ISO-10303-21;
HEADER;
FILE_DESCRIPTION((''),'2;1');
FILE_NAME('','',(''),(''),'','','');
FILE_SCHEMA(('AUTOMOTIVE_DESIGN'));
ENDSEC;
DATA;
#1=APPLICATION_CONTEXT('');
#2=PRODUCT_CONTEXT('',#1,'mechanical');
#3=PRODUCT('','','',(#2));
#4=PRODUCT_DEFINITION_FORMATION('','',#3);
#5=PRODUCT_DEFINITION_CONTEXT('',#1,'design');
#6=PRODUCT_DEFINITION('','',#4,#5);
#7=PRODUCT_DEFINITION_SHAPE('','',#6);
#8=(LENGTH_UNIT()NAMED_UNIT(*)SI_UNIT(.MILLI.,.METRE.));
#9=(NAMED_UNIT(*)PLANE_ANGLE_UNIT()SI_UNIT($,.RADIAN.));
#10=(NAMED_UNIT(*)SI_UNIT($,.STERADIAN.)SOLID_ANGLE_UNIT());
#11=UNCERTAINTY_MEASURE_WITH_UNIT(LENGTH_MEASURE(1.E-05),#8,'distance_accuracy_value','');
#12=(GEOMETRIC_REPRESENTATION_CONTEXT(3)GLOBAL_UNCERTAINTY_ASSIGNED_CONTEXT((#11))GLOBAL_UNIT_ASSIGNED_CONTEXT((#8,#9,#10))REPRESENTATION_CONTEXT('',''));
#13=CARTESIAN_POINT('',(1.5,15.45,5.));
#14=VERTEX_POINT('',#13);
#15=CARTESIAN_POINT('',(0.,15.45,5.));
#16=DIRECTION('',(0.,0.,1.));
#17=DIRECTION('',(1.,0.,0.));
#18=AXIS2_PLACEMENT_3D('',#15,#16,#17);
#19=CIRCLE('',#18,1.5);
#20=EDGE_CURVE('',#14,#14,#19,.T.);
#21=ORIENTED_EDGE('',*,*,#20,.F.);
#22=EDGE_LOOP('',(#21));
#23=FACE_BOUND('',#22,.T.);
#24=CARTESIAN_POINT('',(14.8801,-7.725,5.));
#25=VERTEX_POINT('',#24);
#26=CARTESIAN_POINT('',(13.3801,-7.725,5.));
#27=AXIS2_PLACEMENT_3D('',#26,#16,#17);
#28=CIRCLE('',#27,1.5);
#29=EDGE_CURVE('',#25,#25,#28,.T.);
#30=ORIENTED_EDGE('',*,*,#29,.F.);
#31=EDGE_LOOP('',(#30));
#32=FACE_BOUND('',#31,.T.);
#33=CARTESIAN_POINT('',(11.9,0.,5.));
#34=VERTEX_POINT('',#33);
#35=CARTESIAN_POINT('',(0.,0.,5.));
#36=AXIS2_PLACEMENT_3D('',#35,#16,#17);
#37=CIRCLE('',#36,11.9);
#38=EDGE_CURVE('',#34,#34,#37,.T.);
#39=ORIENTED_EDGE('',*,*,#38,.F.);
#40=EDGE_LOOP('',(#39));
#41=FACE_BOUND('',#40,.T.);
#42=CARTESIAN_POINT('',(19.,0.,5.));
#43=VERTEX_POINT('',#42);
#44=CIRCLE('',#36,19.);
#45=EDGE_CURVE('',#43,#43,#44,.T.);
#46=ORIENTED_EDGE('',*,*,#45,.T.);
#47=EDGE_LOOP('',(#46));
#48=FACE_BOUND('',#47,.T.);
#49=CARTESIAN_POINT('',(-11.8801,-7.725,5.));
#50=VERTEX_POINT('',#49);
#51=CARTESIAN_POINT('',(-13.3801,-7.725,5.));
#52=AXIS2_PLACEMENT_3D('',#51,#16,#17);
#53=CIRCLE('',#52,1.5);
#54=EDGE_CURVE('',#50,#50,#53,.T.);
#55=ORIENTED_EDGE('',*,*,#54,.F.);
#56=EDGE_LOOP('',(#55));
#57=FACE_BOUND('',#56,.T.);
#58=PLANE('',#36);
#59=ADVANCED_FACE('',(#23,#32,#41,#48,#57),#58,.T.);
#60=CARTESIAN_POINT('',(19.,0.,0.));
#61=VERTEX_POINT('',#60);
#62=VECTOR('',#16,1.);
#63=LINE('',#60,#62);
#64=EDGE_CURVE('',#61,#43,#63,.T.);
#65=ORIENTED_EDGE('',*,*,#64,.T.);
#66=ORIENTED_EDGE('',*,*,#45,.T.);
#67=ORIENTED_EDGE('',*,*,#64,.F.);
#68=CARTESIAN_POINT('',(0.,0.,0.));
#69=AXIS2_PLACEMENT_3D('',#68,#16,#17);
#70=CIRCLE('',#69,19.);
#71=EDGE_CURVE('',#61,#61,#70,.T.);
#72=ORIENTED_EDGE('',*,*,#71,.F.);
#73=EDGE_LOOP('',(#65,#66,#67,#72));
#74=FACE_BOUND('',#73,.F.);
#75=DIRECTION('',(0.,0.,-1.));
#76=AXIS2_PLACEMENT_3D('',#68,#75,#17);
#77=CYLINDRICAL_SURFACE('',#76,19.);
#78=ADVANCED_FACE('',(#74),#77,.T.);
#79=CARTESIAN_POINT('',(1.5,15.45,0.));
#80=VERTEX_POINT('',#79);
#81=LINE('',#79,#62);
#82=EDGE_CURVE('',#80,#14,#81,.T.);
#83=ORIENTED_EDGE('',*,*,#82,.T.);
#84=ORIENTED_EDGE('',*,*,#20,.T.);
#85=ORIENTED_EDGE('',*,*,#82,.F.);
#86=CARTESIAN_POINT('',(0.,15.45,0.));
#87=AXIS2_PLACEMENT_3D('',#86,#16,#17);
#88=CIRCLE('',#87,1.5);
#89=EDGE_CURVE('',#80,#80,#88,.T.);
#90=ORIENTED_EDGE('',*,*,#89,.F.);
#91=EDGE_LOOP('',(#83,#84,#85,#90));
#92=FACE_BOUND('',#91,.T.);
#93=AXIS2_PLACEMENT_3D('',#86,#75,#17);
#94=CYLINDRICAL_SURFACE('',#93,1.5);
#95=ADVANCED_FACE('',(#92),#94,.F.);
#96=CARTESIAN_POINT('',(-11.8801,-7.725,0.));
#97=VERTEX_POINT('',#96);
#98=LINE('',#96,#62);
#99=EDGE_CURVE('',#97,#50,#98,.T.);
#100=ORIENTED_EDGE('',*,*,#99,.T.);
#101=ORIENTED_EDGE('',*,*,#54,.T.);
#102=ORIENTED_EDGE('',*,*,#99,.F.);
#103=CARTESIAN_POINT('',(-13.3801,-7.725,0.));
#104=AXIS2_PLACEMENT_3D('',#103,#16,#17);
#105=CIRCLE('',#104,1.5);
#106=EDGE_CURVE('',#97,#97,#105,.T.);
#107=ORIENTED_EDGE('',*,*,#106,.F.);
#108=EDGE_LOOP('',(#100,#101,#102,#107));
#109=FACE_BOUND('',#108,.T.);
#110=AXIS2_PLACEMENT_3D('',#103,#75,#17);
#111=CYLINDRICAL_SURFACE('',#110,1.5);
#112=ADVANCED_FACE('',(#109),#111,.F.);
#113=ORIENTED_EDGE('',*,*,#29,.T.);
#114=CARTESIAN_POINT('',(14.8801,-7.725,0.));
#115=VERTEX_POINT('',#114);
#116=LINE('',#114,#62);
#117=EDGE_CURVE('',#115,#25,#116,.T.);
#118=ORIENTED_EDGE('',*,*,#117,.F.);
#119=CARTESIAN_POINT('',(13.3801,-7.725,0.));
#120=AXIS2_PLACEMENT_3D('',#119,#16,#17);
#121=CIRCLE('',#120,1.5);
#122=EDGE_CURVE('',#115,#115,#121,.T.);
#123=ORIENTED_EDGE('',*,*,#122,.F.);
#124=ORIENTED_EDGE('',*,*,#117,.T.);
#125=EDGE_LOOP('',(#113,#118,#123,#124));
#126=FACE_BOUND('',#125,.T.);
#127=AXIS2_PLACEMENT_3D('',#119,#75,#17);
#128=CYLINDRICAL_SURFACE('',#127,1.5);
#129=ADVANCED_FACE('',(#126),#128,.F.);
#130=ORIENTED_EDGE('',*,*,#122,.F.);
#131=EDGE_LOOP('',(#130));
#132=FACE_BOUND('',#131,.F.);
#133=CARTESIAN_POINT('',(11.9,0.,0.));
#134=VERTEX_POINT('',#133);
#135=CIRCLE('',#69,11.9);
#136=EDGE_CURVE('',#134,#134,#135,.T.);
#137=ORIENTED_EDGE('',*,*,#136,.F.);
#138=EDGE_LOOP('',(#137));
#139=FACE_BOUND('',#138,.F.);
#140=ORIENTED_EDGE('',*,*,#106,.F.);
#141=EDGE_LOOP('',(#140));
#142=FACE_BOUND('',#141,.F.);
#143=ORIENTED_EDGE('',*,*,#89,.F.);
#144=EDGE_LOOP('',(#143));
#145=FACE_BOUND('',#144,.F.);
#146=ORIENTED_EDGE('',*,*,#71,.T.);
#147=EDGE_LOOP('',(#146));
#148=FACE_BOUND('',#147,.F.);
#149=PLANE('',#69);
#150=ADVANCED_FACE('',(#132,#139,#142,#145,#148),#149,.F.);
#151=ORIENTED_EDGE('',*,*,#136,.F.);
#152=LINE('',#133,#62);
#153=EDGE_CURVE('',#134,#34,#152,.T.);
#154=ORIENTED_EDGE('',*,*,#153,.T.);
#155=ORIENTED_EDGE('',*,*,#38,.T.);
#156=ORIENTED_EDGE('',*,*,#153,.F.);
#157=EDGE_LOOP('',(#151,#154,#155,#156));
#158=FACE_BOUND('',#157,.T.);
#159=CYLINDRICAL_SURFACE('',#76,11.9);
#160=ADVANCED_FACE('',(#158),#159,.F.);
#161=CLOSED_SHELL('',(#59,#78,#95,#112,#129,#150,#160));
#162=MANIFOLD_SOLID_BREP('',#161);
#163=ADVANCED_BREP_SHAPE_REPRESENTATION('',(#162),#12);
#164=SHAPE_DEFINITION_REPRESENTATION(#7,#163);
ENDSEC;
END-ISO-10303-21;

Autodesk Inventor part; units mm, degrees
ref_plane "YZ Plane" through (0, 0, 0) normal (1, 0, 0) x (0, 1, 0)
ref_plane "XZ Plane" through (0, 0, 0) normal (0, 1, 0) x (-1, 0, 0)
ref_plane "XY Plane" through (0, 0, 0) normal (0, 0, 1) x (1, 0, 0)
ref_plane "РабПлоскость1" through (0, 0, 0) normal (0, 0, 1) x (1, 0, 0)
sketch "Эскиз1" plane through (0, 0, 0) normal (0, 0, 1) x (1, 0, 0)
  circle A0 centre (0, 0) radius 11.9
  circle A1 centre (0, 0) radius 19
  circle A2 centre (-13.3801, -7.725) radius 1.5
  circle A3 centre (13.3801, -7.725) radius 1.5
  circle A4 centre (0, 15.45) radius 1.5
  dimension "d12" = 3
  dimension "d13" = 3
  dimension "d14" = 3
extrude "Выдавливание1" add sketch "Эскиз1" along normal blind 5
properties part number "Проставка шестерни"
